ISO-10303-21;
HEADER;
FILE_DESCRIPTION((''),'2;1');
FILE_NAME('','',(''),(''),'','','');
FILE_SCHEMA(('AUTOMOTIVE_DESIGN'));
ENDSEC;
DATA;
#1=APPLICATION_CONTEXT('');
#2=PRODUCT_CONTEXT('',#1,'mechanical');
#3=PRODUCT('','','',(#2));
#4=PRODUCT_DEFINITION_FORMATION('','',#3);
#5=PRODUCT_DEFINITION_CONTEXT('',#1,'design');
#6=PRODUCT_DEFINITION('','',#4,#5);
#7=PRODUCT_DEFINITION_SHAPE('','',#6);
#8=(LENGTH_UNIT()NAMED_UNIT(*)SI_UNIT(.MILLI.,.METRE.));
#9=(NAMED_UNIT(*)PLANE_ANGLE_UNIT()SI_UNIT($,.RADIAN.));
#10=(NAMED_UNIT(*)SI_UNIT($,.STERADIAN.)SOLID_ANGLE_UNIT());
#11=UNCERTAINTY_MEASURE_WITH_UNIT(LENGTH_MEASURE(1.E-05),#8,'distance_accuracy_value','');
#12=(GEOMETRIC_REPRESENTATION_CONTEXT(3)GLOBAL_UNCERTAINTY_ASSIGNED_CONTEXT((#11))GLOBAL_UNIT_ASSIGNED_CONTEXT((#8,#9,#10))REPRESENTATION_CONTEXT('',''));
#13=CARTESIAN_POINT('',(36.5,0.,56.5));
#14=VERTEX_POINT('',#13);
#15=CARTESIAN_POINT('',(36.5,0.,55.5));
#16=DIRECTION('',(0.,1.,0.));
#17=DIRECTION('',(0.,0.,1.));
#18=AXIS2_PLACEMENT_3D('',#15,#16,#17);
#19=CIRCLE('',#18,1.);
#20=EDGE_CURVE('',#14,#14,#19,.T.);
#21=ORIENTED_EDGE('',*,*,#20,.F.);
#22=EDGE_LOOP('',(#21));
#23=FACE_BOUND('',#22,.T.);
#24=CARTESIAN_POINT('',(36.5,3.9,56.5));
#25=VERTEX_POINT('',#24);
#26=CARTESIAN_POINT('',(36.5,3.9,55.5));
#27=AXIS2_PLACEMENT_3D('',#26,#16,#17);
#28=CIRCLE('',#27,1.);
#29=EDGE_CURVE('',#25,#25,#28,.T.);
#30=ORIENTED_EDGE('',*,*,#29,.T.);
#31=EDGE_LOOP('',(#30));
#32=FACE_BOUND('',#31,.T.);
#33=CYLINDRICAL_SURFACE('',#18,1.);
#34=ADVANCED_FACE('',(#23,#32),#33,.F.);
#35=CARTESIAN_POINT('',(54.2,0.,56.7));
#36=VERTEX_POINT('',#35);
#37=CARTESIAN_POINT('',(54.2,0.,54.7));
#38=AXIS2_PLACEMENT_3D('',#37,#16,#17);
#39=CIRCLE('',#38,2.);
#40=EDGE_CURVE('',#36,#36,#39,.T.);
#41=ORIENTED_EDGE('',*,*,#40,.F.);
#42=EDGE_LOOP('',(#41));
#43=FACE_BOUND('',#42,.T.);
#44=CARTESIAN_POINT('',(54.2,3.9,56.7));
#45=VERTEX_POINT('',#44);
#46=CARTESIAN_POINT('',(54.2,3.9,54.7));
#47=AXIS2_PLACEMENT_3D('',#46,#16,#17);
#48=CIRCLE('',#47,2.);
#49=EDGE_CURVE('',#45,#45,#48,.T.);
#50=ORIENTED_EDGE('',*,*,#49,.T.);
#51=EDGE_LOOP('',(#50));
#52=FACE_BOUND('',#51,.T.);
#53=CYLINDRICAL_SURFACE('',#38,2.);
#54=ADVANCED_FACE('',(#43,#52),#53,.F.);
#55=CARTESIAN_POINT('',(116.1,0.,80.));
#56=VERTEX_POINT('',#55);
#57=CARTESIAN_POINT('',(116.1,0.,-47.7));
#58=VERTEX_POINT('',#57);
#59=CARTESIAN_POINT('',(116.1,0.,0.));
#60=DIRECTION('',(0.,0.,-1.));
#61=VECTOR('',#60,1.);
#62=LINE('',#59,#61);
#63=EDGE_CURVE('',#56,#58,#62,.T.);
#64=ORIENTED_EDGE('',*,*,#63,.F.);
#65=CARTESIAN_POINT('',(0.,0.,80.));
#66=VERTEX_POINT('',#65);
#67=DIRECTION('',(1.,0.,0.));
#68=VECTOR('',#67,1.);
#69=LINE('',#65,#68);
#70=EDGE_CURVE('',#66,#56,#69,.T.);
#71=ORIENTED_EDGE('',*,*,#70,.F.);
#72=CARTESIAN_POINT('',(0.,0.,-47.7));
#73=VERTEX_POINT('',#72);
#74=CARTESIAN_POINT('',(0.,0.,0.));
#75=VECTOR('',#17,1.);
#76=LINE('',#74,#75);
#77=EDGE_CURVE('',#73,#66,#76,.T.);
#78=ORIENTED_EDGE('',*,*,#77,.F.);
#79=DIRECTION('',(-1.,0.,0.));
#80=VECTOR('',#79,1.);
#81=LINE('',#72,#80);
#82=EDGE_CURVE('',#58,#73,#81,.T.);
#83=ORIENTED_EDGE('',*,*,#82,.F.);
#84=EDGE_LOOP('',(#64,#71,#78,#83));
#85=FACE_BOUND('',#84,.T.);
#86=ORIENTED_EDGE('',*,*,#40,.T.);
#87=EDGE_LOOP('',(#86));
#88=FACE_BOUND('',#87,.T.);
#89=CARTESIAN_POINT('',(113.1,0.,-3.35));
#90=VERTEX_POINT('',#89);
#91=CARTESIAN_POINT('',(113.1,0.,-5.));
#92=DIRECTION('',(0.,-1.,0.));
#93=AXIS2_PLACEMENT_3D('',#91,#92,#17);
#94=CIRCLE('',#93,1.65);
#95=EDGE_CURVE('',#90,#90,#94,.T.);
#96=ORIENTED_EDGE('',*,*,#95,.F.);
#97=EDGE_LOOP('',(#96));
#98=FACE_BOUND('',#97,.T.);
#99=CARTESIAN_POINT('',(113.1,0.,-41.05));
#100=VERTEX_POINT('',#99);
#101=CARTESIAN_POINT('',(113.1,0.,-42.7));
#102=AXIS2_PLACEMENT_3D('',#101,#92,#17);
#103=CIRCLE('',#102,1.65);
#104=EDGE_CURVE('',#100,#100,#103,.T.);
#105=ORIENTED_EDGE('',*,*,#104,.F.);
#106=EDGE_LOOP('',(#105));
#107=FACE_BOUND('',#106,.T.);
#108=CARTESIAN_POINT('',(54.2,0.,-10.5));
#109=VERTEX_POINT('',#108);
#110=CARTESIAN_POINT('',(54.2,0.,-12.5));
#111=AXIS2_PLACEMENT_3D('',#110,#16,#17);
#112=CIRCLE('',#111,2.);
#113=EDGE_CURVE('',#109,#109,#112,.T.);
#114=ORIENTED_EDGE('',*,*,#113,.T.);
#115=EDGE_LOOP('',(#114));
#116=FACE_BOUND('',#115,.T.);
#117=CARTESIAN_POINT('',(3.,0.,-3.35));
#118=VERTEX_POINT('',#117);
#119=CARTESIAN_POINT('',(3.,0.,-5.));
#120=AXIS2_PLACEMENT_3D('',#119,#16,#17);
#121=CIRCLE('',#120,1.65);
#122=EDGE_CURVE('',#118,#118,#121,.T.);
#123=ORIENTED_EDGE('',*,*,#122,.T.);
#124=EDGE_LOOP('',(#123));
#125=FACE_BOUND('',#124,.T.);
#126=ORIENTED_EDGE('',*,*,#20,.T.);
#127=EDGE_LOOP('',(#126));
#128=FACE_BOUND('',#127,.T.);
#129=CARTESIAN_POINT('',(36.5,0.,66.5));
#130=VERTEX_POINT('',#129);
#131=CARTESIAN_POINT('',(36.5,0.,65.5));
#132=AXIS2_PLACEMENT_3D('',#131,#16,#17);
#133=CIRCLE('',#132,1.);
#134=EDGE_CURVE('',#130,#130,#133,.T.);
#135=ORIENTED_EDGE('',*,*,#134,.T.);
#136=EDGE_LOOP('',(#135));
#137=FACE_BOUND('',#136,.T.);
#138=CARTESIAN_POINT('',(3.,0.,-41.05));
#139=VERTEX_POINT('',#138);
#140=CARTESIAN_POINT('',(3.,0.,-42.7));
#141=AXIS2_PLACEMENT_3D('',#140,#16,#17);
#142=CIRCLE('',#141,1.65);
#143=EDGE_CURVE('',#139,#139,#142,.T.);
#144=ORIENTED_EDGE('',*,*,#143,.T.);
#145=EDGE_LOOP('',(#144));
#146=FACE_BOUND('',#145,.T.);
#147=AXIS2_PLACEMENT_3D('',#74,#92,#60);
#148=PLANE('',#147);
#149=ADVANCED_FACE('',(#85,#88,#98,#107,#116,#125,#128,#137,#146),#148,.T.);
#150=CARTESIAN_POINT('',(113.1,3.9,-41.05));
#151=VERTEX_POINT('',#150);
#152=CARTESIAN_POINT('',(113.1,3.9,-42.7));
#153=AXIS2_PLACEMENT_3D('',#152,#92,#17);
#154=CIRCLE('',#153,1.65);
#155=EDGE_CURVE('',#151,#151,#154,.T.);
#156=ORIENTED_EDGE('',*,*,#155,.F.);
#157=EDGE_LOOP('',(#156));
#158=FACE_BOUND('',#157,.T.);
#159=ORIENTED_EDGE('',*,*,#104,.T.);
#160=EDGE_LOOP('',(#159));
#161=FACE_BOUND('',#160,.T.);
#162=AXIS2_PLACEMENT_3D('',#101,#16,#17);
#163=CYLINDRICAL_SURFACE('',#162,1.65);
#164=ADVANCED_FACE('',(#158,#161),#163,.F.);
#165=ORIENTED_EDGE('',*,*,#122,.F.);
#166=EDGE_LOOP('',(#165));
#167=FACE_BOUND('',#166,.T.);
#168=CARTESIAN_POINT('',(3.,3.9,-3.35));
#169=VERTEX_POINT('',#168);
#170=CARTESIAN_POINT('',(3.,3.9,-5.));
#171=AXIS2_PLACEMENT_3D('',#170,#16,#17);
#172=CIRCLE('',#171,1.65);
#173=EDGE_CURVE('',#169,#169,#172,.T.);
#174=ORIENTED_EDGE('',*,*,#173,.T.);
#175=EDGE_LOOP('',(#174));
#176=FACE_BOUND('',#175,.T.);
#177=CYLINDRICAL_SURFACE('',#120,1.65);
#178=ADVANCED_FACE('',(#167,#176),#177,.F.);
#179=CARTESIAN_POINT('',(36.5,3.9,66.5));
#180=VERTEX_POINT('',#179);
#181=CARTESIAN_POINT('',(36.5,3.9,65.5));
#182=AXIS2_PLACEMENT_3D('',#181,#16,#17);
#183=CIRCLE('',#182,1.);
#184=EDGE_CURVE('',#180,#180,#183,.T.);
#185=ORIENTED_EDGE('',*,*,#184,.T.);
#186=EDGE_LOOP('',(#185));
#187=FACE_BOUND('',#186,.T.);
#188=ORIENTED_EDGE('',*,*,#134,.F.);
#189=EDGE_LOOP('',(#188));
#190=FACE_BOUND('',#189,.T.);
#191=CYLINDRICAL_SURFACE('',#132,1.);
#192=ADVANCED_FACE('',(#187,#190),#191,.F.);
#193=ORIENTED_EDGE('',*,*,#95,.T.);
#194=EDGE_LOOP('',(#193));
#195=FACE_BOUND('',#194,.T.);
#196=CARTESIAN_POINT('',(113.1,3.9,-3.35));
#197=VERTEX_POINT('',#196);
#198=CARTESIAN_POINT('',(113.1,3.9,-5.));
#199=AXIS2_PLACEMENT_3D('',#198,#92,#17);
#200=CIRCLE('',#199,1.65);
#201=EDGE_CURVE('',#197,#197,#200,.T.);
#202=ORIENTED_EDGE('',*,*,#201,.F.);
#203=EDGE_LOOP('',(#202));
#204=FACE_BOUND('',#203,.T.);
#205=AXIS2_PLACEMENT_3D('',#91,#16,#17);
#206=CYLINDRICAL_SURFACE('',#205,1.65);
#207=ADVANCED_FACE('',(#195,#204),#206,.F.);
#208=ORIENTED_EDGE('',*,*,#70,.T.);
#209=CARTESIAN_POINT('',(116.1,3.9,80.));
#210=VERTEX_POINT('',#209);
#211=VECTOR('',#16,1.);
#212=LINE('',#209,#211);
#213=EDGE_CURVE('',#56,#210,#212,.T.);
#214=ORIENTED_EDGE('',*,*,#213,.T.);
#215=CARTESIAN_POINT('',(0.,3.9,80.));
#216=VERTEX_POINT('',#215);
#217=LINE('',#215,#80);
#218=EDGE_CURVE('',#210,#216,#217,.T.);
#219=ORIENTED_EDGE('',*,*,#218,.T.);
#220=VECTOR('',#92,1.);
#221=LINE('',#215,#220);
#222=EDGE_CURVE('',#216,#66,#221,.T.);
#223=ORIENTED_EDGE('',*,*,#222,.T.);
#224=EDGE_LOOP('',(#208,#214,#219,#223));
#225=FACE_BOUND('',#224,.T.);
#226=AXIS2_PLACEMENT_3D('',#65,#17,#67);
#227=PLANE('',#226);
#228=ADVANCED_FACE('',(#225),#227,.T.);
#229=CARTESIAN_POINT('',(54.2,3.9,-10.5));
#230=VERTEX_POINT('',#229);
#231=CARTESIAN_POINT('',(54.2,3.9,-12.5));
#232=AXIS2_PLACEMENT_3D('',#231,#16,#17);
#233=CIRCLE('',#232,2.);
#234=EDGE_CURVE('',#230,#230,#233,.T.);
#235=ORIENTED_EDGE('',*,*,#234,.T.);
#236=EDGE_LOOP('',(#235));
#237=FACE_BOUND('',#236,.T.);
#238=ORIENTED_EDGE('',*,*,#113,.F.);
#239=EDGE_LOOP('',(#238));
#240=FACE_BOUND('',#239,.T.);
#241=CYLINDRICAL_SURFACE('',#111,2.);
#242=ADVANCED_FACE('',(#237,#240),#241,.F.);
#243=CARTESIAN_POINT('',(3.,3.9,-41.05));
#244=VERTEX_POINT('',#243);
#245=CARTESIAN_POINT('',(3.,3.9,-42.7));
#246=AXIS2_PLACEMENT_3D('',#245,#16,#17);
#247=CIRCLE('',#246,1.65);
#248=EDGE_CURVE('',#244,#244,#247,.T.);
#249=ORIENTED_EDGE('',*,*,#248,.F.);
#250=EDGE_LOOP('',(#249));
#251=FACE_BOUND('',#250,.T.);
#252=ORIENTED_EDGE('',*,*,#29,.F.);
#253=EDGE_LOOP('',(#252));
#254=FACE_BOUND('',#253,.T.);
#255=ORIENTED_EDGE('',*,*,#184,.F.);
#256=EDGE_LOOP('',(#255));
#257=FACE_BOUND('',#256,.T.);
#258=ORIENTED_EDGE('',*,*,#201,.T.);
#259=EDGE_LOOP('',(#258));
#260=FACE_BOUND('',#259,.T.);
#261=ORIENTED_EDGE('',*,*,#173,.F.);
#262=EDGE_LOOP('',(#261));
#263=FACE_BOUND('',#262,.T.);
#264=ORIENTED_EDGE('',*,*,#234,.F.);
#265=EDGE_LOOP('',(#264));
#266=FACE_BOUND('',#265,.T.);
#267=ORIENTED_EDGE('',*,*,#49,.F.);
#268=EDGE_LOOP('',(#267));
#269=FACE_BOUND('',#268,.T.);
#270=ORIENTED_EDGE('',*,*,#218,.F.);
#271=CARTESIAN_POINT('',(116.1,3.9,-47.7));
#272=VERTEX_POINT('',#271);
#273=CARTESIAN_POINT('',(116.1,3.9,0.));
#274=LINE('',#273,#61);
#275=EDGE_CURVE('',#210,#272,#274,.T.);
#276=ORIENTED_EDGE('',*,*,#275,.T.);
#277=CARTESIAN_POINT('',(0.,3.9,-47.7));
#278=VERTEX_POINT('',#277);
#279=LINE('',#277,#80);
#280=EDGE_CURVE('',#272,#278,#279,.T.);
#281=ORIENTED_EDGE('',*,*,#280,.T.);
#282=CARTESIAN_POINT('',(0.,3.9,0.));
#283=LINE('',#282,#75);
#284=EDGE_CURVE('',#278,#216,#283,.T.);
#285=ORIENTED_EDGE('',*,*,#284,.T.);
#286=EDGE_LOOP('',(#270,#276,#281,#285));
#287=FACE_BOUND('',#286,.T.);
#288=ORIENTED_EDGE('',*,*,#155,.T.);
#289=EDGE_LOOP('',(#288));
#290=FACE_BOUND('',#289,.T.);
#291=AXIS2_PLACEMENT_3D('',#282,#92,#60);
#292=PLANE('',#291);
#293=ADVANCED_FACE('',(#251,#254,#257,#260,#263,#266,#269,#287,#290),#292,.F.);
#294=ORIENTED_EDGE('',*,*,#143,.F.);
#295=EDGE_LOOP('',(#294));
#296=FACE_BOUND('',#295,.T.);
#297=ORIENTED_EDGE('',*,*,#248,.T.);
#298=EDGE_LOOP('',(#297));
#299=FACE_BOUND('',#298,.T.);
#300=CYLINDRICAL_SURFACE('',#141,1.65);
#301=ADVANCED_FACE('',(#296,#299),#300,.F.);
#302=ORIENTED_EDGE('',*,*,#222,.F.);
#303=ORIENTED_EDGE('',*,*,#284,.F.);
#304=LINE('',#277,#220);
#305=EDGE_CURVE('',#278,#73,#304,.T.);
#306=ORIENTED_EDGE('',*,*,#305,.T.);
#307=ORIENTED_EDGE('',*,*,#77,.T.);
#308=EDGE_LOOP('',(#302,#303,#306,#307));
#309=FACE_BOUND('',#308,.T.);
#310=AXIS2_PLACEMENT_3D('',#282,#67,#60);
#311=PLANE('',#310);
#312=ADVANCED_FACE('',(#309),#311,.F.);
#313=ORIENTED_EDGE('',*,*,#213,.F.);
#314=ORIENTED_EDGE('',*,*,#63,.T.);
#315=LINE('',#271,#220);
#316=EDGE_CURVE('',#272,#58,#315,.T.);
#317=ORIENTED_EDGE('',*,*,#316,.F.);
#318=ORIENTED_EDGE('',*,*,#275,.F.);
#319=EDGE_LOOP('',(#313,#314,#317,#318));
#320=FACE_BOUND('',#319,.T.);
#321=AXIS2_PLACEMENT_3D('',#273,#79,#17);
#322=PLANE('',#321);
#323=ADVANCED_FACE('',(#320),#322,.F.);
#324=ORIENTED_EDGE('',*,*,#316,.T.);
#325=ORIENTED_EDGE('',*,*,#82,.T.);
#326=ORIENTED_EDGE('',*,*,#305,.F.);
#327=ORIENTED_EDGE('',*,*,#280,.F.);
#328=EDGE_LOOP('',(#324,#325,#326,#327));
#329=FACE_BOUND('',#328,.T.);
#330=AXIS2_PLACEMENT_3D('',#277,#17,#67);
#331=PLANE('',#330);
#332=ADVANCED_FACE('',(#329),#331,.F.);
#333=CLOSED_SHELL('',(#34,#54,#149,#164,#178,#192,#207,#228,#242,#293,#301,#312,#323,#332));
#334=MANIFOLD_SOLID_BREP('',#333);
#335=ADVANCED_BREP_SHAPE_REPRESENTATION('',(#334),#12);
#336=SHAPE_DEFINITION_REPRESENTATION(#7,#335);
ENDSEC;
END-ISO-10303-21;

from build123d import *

# Parameters (mm, degrees)
SKETCH1_W           = 116.1
SKETCH1_H           = 47.7
BOSS_EXTRUDE1_DEPTH = 3.9
SKETCH4_R           = 1.65
CUT_EXTRUDE3_DEPTH  = 4.9
SKETCH5_R           = 1.65
CUT_EXTRUDE4_DEPTH  = 4.9
SKETCH7_W           = 116.1
SKETCH7_H           = 3.9
BOSS_EXTRUDE2_DEPTH = 80
SKETCH8_R           = 2
CUT_EXTRUDE5_DEPTH  = 4.9
SKETCH9_R           = 1
CUT_EXTRUDE6_DEPTH  = 4.9


with BuildPart() as part:
    # Sketch1 → Boss-Extrude1 (new body)
    with BuildSketch(Plane(origin=(0, 0, 0), x_dir=(1, 0, 0), z_dir=(0, 1, 0))):
        with Locations((58.05, 23.85)):
            Rectangle(SKETCH1_W, SKETCH1_H)
    extrude(amount=BOSS_EXTRUDE1_DEPTH)

    # Sketch4 → Cut-Extrude3 (cut, through all)
    with BuildSketch(Plane(origin=(0, 3.9, 0), x_dir=(1, 0, 0), z_dir=(0, 1, 0))):
        with Locations((3, 42.7)):
            Circle(SKETCH4_R)
    cut_extrude3 = extrude(amount=-CUT_EXTRUDE3_DEPTH, mode=Mode.SUBTRACT)

    # Sketch5 → Cut-Extrude4 (cut, through all)
    with BuildSketch(Plane(origin=(0, 3.9, 0), x_dir=(1, 0, 0), z_dir=(0, 1, 0))):
        with Locations((3, 5)):
            Circle(SKETCH5_R)
    cut_extrude4 = extrude(amount=-CUT_EXTRUDE4_DEPTH, mode=Mode.SUBTRACT)

    # Mirror1: Cut-Extrude3, Cut-Extrude4 across plane
    add(cut_extrude3.mirror(Plane.ZY.offset(-58.05)), mode=Mode.SUBTRACT)
    add(cut_extrude4.mirror(Plane.ZY.offset(-58.05)), mode=Mode.SUBTRACT)

    # Sketch7 → Boss-Extrude2 (add)
    with BuildSketch(Plane.XY):
        with Locations((58.05, 1.95)):
            Rectangle(SKETCH7_W, SKETCH7_H)
    extrude(amount=BOSS_EXTRUDE2_DEPTH)

    # Sketch8 → Cut-Extrude5 (cut, through all)
    with BuildSketch(Plane(origin=(0, 3.9, 0), x_dir=(1, 0, 0), z_dir=(0, 1, 0))):
        with Locations((54.2, -54.7)):
            Circle(SKETCH8_R)
        with Locations((54.2, 12.5)):
            Circle(SKETCH8_R)
    extrude(amount=-CUT_EXTRUDE5_DEPTH, mode=Mode.SUBTRACT)

    # Sketch9 → Cut-Extrude6 (cut, through all)
    with BuildSketch(Plane(origin=(0, 3.9, 0), x_dir=(1, 0, 0), z_dir=(0, 1, 0))):
        with Locations((36.5, -65.5)):
            Circle(SKETCH9_R)
        with Locations((36.5, -55.5)):
            Circle(SKETCH9_R)
    extrude(amount=-CUT_EXTRUDE6_DEPTH, mode=Mode.SUBTRACT)


solid = part.part
